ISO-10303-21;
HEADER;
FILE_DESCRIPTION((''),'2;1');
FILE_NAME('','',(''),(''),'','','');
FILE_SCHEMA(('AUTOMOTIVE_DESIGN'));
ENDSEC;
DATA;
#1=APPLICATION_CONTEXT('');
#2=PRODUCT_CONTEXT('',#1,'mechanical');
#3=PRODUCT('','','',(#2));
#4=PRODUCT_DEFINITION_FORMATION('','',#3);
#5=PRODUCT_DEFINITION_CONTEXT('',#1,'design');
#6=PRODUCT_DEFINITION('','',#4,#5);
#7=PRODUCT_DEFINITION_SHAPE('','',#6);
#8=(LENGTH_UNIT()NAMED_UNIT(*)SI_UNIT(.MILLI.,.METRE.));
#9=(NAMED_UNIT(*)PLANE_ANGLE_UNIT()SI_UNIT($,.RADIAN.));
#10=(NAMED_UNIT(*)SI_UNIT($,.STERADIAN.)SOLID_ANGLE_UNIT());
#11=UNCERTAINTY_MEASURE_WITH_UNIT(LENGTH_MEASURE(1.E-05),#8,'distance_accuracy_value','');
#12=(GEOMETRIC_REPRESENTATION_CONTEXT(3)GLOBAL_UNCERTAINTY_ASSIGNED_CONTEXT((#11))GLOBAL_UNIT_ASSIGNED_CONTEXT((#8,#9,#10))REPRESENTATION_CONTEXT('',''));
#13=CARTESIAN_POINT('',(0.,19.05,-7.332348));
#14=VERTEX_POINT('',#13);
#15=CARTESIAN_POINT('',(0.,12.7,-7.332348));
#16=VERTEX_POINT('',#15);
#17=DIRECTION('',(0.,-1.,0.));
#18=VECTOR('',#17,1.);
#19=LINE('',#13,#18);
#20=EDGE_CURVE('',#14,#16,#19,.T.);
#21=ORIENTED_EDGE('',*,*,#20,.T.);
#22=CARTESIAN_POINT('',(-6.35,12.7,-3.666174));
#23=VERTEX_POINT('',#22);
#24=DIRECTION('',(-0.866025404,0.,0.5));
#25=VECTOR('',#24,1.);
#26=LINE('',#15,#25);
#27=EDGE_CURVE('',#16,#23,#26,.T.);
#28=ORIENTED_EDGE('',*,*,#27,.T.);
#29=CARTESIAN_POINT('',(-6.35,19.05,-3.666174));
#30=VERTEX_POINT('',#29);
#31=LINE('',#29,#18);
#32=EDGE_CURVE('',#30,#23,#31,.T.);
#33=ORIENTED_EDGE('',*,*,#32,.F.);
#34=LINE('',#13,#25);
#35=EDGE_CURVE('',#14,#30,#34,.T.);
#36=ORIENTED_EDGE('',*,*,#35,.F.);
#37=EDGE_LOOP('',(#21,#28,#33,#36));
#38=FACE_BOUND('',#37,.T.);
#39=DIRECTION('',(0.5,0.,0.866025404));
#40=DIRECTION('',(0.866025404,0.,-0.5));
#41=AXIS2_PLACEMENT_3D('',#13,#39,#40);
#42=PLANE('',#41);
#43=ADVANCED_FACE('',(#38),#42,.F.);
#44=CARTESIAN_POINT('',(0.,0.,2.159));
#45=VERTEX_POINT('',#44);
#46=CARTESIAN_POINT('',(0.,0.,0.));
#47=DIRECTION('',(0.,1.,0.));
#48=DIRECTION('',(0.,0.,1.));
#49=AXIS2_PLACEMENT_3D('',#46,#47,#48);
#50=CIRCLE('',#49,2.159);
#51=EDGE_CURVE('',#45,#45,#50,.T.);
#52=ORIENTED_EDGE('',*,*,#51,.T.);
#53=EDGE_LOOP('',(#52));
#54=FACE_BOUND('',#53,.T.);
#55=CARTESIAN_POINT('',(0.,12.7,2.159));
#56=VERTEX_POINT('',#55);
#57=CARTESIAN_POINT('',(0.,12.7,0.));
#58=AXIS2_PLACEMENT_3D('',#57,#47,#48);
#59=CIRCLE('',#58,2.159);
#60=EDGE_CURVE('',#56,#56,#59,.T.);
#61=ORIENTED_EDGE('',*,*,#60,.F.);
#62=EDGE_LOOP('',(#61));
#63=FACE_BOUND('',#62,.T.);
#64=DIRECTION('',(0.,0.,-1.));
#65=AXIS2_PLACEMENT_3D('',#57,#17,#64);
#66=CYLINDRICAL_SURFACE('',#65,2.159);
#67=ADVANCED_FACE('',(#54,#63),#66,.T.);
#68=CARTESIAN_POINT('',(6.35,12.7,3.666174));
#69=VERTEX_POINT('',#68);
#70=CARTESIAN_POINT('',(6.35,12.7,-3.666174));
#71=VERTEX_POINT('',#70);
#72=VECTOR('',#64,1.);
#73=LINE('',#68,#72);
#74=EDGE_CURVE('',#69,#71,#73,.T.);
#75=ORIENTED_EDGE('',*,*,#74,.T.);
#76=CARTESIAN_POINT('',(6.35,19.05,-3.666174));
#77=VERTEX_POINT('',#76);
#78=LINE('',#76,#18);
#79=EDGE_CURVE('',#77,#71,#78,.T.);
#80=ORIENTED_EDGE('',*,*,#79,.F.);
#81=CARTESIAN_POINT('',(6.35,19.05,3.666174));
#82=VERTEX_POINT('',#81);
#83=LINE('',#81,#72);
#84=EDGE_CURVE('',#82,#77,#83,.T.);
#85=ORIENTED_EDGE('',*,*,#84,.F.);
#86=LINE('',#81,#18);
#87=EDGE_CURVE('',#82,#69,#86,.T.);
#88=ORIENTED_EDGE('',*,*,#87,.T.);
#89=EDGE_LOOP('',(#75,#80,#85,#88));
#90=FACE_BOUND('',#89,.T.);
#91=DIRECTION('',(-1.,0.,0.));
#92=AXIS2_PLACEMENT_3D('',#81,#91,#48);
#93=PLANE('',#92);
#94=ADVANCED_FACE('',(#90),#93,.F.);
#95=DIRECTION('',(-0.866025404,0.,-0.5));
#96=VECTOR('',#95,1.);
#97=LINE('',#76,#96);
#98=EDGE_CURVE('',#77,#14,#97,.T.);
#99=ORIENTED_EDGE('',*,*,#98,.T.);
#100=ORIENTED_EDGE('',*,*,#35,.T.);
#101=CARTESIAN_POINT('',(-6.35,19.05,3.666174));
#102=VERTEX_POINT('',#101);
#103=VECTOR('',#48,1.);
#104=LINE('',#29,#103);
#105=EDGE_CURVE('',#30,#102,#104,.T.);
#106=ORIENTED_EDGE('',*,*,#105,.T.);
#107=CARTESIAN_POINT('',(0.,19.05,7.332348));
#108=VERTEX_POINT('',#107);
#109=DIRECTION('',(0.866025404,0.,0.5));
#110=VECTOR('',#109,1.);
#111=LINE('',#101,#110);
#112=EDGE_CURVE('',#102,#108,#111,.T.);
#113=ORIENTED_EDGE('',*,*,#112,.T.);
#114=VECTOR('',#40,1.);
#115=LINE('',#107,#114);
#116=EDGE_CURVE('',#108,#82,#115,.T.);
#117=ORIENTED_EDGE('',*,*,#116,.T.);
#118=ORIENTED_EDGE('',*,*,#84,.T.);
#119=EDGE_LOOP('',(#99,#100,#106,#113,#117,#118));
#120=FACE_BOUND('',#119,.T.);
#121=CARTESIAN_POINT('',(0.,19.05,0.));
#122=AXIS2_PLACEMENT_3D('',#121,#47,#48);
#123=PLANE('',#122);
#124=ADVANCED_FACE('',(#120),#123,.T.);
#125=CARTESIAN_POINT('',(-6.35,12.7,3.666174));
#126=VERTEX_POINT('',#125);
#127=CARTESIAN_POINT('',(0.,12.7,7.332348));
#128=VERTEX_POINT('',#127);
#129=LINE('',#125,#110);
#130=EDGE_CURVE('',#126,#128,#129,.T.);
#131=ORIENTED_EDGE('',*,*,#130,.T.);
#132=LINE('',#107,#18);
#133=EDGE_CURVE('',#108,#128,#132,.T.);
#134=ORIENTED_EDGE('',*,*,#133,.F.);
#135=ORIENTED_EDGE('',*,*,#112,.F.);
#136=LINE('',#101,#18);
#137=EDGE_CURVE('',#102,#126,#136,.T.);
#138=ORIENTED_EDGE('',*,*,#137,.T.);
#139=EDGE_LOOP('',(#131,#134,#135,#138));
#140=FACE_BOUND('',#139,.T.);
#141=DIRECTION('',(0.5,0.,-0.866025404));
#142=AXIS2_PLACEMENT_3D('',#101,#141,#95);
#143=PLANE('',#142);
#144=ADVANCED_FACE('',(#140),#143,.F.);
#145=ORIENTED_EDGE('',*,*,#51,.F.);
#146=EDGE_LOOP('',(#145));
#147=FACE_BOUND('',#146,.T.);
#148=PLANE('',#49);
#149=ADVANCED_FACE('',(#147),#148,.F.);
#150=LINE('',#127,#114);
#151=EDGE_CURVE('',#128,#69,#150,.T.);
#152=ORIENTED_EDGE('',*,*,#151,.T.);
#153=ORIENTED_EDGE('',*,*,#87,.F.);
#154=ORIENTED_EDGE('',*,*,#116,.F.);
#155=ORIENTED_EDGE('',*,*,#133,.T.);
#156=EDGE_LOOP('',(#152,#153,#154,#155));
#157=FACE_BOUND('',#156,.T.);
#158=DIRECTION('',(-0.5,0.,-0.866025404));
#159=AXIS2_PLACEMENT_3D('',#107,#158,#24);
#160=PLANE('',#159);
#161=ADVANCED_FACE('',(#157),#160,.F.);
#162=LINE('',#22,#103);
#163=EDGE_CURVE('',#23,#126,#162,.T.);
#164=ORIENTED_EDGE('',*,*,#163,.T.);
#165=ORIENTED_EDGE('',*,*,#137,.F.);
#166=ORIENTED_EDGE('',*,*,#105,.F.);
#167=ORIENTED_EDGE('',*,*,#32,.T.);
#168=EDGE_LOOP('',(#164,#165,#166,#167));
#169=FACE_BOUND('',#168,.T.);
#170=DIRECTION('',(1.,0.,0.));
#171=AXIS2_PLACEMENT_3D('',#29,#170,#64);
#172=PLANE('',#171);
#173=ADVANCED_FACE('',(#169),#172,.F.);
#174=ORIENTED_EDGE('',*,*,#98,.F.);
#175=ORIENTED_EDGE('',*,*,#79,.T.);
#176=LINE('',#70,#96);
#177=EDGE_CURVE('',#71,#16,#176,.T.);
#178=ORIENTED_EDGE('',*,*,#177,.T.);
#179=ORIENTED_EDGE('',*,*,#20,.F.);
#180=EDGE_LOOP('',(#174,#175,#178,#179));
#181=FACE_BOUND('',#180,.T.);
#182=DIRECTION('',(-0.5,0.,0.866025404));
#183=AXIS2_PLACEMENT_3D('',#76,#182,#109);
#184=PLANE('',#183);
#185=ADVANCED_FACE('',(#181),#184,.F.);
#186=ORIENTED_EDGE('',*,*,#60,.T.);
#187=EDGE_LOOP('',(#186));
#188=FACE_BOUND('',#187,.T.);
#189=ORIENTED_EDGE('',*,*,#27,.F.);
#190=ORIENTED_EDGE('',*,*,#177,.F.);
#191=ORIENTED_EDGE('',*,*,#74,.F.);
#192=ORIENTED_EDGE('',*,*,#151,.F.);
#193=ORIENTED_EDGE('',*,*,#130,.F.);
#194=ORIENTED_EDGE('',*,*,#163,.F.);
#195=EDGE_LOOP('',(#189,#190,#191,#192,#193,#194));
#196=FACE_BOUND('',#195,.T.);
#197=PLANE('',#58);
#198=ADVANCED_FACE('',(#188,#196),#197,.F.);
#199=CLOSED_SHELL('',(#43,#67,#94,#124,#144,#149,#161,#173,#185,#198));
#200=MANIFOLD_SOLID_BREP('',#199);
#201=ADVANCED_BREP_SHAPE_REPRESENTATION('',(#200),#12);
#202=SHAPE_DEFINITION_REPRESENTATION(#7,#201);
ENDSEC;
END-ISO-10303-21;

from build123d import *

# Parameters (mm, degrees)
SKETCH1_R           = 2.159
BOSS_EXTRUDE1_DEPTH = 12.7
BOSS_EXTRUDE2_DEPTH = 6.35


with BuildPart() as part:
    # Sketch1 → Boss-Extrude1 (new body)
    with BuildSketch(Plane(origin=(0, 0, 0), x_dir=(1, 0, 0), z_dir=(0, 1, 0))):
        Circle(SKETCH1_R)
    extrude(amount=BOSS_EXTRUDE1_DEPTH)

    # Sketch2 → Boss-Extrude2 (add)
    with BuildSketch(Plane(origin=(0, 12.7, 0), x_dir=(1, 0, 0), z_dir=(0, 1, 0))):
        Polygon((0, -7.332348419), (6.35, -3.666174209), (6.35, 3.666174209), (0, 7.332348419), (-6.35, 3.666174209), (-6.35, -3.666174209), align=None)
    extrude(amount=BOSS_EXTRUDE2_DEPTH)


solid = part.part
